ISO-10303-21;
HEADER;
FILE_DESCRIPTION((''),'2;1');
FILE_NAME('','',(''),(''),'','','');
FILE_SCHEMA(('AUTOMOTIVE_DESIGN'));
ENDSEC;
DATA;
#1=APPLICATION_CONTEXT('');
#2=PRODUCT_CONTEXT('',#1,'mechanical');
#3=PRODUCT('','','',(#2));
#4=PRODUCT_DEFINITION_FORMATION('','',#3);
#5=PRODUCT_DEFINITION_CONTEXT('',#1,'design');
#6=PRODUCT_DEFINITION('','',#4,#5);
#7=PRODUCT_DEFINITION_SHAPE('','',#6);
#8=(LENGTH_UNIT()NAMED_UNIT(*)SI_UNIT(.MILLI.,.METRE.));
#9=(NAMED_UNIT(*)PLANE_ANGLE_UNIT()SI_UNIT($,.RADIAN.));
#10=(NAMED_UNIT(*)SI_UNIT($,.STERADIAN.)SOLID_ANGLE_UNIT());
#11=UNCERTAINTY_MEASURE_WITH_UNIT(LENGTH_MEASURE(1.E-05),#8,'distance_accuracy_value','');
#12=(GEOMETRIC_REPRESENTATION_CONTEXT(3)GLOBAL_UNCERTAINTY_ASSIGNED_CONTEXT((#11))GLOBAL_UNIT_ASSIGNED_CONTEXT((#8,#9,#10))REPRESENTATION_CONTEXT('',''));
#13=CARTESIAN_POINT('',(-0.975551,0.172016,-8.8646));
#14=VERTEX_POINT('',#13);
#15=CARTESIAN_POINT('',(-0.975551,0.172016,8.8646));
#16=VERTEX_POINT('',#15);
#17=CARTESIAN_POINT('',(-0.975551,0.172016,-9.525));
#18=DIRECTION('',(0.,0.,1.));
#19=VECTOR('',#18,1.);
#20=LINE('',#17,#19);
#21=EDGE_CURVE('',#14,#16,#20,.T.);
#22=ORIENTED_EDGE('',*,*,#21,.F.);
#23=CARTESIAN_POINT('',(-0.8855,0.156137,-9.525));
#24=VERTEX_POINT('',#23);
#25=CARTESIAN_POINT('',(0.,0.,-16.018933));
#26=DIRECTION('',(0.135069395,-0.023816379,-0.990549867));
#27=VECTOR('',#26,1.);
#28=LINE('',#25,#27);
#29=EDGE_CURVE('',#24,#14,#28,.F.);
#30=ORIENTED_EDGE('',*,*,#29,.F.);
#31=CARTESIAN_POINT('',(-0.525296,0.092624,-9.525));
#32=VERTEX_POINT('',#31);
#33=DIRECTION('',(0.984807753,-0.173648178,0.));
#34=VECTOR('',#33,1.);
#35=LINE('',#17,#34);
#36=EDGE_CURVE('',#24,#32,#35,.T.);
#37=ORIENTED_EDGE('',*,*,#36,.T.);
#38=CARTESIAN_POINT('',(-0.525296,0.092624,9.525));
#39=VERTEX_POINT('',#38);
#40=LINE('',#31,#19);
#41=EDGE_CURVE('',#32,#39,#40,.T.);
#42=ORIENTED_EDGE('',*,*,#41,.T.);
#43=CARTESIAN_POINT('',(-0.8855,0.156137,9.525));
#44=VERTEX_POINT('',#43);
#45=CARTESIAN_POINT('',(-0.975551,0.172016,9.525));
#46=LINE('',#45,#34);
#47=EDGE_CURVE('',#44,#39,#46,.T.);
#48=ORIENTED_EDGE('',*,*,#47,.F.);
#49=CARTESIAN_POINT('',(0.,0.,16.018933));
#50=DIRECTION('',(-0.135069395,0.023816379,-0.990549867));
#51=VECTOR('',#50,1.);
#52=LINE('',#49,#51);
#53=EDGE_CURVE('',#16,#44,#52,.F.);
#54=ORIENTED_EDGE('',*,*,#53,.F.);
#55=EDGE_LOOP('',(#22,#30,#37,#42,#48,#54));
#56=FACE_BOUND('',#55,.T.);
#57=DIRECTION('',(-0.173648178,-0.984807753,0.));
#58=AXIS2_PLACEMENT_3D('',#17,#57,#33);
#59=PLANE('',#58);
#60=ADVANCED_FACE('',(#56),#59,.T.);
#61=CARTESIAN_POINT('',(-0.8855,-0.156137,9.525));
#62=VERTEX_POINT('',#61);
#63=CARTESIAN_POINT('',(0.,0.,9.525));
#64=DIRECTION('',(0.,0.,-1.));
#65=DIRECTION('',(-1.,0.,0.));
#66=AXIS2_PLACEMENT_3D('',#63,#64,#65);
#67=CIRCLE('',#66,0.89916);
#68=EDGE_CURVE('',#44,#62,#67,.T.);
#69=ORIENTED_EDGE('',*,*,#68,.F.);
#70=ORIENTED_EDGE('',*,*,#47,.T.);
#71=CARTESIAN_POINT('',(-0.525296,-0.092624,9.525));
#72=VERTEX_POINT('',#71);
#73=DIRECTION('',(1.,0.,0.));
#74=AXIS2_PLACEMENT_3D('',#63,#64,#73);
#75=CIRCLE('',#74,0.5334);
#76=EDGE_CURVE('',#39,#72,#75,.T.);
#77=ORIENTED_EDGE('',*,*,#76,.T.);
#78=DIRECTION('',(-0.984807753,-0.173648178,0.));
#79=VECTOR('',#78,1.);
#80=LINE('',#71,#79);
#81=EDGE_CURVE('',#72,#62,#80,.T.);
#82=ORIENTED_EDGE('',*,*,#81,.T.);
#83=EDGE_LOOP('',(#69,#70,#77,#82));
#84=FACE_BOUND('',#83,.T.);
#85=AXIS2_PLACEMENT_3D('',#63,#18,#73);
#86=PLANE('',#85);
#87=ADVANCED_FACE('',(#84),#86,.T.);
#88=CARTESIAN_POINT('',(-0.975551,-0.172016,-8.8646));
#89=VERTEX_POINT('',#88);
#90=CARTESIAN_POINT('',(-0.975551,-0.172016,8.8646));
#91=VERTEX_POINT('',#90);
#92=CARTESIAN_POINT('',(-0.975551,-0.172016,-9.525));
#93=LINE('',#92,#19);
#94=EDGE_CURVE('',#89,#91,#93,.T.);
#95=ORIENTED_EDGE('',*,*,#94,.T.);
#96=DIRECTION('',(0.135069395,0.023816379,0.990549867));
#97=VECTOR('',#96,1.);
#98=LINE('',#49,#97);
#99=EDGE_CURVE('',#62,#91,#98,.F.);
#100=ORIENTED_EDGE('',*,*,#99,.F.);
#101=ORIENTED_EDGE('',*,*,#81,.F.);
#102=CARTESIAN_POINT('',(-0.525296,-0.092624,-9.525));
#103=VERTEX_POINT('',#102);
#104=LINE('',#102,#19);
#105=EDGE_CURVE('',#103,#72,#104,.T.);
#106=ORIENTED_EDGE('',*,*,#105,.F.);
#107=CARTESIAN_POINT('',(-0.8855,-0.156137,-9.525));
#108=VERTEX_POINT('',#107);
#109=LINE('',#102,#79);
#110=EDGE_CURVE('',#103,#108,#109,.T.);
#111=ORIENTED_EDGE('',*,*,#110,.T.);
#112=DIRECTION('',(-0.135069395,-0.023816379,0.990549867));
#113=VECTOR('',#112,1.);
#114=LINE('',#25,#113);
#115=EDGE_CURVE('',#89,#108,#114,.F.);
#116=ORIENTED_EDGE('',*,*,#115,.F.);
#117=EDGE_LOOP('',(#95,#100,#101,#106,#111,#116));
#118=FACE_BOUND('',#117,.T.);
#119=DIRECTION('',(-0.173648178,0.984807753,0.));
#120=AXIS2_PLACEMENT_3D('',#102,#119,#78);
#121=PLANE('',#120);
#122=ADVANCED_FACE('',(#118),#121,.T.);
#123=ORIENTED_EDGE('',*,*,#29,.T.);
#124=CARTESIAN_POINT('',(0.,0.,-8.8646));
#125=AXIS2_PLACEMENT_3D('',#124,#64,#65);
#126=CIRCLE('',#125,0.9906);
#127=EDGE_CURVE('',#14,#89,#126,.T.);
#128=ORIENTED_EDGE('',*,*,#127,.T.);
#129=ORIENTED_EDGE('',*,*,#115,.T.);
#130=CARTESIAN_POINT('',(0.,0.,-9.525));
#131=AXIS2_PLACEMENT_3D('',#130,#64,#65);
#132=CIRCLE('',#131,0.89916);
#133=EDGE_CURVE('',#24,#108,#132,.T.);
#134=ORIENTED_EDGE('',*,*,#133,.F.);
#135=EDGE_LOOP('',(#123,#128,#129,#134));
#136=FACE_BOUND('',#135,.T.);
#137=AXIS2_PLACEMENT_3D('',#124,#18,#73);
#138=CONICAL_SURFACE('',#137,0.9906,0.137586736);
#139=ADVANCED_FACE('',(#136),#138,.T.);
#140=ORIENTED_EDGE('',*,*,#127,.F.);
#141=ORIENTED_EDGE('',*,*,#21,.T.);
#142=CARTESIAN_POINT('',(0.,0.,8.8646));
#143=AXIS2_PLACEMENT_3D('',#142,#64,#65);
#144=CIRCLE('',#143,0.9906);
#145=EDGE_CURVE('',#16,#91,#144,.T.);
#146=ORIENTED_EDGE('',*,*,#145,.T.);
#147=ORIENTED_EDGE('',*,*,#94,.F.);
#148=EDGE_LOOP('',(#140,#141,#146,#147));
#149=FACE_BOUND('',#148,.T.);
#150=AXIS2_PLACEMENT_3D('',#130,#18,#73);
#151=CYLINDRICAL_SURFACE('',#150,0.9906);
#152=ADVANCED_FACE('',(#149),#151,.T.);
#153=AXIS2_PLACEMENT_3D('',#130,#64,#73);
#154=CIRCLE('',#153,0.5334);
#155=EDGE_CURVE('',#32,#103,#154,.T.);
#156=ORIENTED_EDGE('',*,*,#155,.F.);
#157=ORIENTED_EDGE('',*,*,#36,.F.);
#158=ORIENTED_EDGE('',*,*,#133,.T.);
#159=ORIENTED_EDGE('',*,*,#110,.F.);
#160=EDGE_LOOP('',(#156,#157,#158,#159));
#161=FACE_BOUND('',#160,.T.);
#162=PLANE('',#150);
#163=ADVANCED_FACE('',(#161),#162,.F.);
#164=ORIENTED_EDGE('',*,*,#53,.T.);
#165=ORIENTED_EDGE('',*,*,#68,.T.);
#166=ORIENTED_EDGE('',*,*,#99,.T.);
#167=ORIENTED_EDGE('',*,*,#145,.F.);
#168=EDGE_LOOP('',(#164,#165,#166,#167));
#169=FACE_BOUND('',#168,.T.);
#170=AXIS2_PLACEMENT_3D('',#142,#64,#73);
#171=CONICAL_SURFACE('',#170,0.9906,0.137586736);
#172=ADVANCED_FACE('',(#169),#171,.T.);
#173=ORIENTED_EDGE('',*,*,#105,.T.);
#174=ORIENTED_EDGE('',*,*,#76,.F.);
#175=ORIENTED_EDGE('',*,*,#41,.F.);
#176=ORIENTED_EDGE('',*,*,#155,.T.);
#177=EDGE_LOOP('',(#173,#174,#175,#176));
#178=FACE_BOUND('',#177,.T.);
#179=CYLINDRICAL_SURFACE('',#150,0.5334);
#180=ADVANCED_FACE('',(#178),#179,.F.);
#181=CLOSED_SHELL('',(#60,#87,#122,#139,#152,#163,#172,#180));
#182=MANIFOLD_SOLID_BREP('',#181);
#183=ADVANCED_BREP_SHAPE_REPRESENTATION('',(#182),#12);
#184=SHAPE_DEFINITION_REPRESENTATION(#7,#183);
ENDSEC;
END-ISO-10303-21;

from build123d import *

# Parameters (mm, degrees)
EXTRUDE1_DEPTH      = 9.525
EXTRUDE1_DEPTH_BACK = 9.525


with BuildPart() as part:
    # Sketch1 → Extrude1 (new, two sides: drawn at the far end of the back side and taken through both)
    with BuildSketch(Plane.XY.offset(-EXTRUDE1_DEPTH_BACK)):
        with BuildLine():
            Line((-0.525296455, -0.092623938), (-0.97555056, -0.172015885))
            ThreePointArc((-0.97555056, -0.172015885), (0.9906, 0), (-0.97555056, 0.172015885))
            Line((-0.97555056, 0.172015885), (-0.525296455, 0.092623938))
            ThreePointArc((-0.525296455, 0.092623938), (0.5334, 0), (-0.525296455, -0.092623938))
        make_face()
    extrude(amount=EXTRUDE1_DEPTH + EXTRUDE1_DEPTH_BACK)

    # Sketch2 → Cut-Revolve1 (revolve, cut)
    with BuildSketch(Plane(origin=(0, 0, 0), x_dir=(0, 0, -1), z_dir=(1, 0, 0))):
        Polygon((9.525, 0.89916), (8.8646, 0.9906), (9.525, 0.9906), align=None)
    cut_revolve1 = revolve(axis=Axis((0, 0, -9.525), (0, 0, 1)), mode=Mode.SUBTRACT)

    # Mirror1: Cut-Revolve1 across plane
    add(cut_revolve1.mirror(Plane.XY), mode=Mode.SUBTRACT)


solid = part.part
